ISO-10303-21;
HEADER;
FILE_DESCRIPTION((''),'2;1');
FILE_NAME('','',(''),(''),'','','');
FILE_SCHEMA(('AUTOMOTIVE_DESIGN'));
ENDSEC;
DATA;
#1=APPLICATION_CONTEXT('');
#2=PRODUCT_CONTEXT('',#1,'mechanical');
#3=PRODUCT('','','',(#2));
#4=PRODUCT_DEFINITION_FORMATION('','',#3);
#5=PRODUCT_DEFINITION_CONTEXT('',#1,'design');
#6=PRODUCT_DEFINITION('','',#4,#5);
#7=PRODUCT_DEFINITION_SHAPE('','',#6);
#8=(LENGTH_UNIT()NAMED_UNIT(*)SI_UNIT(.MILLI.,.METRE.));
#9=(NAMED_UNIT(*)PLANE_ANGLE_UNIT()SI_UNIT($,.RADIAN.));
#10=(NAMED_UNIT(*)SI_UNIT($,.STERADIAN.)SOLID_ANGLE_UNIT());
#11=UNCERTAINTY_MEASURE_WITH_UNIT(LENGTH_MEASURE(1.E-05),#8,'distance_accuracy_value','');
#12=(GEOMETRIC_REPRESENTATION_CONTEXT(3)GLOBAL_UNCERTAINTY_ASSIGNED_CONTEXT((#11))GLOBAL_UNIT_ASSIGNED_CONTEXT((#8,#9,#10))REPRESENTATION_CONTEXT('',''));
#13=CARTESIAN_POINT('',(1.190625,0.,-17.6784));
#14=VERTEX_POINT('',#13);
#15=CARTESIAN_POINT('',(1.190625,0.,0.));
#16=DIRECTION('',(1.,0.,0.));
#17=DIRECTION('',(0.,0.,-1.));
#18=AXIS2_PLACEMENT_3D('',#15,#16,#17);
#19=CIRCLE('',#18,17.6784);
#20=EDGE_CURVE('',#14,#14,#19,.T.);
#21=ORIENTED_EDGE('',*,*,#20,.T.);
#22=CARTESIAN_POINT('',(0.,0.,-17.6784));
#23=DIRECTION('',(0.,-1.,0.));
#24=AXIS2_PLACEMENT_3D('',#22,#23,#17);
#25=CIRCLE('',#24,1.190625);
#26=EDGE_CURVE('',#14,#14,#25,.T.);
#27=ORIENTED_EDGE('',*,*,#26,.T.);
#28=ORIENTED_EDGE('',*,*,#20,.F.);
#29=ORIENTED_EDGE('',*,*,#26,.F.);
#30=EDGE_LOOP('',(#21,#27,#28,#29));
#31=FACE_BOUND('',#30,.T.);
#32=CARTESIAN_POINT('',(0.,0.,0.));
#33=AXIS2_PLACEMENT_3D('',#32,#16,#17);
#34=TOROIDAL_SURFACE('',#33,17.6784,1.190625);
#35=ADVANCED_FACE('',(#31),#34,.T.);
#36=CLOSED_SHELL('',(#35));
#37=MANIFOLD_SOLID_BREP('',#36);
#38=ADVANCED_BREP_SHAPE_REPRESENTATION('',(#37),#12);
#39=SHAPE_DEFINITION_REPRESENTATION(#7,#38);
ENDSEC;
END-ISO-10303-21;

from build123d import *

# Parameters (mm, degrees)
CROQUIS1_R = 1.190625


with BuildPart() as part:
    # Barrer1: sweep along a path in Croquis2
    with BuildLine(Plane(origin=(0, 0, 0), x_dir=(0, 0, -1), z_dir=(1, 0, 0))) as barrer1_path:
        CenterArc((0, 0), 17.6784, 0, 360)
    # Croquis1 → Barrer1 (sweep)
    with BuildSketch(Plane.XY):
        with Locations((0, -17.6784)):
            Circle(CROQUIS1_R)
    sweep(path=barrer1_path.line)


solid = part.part
